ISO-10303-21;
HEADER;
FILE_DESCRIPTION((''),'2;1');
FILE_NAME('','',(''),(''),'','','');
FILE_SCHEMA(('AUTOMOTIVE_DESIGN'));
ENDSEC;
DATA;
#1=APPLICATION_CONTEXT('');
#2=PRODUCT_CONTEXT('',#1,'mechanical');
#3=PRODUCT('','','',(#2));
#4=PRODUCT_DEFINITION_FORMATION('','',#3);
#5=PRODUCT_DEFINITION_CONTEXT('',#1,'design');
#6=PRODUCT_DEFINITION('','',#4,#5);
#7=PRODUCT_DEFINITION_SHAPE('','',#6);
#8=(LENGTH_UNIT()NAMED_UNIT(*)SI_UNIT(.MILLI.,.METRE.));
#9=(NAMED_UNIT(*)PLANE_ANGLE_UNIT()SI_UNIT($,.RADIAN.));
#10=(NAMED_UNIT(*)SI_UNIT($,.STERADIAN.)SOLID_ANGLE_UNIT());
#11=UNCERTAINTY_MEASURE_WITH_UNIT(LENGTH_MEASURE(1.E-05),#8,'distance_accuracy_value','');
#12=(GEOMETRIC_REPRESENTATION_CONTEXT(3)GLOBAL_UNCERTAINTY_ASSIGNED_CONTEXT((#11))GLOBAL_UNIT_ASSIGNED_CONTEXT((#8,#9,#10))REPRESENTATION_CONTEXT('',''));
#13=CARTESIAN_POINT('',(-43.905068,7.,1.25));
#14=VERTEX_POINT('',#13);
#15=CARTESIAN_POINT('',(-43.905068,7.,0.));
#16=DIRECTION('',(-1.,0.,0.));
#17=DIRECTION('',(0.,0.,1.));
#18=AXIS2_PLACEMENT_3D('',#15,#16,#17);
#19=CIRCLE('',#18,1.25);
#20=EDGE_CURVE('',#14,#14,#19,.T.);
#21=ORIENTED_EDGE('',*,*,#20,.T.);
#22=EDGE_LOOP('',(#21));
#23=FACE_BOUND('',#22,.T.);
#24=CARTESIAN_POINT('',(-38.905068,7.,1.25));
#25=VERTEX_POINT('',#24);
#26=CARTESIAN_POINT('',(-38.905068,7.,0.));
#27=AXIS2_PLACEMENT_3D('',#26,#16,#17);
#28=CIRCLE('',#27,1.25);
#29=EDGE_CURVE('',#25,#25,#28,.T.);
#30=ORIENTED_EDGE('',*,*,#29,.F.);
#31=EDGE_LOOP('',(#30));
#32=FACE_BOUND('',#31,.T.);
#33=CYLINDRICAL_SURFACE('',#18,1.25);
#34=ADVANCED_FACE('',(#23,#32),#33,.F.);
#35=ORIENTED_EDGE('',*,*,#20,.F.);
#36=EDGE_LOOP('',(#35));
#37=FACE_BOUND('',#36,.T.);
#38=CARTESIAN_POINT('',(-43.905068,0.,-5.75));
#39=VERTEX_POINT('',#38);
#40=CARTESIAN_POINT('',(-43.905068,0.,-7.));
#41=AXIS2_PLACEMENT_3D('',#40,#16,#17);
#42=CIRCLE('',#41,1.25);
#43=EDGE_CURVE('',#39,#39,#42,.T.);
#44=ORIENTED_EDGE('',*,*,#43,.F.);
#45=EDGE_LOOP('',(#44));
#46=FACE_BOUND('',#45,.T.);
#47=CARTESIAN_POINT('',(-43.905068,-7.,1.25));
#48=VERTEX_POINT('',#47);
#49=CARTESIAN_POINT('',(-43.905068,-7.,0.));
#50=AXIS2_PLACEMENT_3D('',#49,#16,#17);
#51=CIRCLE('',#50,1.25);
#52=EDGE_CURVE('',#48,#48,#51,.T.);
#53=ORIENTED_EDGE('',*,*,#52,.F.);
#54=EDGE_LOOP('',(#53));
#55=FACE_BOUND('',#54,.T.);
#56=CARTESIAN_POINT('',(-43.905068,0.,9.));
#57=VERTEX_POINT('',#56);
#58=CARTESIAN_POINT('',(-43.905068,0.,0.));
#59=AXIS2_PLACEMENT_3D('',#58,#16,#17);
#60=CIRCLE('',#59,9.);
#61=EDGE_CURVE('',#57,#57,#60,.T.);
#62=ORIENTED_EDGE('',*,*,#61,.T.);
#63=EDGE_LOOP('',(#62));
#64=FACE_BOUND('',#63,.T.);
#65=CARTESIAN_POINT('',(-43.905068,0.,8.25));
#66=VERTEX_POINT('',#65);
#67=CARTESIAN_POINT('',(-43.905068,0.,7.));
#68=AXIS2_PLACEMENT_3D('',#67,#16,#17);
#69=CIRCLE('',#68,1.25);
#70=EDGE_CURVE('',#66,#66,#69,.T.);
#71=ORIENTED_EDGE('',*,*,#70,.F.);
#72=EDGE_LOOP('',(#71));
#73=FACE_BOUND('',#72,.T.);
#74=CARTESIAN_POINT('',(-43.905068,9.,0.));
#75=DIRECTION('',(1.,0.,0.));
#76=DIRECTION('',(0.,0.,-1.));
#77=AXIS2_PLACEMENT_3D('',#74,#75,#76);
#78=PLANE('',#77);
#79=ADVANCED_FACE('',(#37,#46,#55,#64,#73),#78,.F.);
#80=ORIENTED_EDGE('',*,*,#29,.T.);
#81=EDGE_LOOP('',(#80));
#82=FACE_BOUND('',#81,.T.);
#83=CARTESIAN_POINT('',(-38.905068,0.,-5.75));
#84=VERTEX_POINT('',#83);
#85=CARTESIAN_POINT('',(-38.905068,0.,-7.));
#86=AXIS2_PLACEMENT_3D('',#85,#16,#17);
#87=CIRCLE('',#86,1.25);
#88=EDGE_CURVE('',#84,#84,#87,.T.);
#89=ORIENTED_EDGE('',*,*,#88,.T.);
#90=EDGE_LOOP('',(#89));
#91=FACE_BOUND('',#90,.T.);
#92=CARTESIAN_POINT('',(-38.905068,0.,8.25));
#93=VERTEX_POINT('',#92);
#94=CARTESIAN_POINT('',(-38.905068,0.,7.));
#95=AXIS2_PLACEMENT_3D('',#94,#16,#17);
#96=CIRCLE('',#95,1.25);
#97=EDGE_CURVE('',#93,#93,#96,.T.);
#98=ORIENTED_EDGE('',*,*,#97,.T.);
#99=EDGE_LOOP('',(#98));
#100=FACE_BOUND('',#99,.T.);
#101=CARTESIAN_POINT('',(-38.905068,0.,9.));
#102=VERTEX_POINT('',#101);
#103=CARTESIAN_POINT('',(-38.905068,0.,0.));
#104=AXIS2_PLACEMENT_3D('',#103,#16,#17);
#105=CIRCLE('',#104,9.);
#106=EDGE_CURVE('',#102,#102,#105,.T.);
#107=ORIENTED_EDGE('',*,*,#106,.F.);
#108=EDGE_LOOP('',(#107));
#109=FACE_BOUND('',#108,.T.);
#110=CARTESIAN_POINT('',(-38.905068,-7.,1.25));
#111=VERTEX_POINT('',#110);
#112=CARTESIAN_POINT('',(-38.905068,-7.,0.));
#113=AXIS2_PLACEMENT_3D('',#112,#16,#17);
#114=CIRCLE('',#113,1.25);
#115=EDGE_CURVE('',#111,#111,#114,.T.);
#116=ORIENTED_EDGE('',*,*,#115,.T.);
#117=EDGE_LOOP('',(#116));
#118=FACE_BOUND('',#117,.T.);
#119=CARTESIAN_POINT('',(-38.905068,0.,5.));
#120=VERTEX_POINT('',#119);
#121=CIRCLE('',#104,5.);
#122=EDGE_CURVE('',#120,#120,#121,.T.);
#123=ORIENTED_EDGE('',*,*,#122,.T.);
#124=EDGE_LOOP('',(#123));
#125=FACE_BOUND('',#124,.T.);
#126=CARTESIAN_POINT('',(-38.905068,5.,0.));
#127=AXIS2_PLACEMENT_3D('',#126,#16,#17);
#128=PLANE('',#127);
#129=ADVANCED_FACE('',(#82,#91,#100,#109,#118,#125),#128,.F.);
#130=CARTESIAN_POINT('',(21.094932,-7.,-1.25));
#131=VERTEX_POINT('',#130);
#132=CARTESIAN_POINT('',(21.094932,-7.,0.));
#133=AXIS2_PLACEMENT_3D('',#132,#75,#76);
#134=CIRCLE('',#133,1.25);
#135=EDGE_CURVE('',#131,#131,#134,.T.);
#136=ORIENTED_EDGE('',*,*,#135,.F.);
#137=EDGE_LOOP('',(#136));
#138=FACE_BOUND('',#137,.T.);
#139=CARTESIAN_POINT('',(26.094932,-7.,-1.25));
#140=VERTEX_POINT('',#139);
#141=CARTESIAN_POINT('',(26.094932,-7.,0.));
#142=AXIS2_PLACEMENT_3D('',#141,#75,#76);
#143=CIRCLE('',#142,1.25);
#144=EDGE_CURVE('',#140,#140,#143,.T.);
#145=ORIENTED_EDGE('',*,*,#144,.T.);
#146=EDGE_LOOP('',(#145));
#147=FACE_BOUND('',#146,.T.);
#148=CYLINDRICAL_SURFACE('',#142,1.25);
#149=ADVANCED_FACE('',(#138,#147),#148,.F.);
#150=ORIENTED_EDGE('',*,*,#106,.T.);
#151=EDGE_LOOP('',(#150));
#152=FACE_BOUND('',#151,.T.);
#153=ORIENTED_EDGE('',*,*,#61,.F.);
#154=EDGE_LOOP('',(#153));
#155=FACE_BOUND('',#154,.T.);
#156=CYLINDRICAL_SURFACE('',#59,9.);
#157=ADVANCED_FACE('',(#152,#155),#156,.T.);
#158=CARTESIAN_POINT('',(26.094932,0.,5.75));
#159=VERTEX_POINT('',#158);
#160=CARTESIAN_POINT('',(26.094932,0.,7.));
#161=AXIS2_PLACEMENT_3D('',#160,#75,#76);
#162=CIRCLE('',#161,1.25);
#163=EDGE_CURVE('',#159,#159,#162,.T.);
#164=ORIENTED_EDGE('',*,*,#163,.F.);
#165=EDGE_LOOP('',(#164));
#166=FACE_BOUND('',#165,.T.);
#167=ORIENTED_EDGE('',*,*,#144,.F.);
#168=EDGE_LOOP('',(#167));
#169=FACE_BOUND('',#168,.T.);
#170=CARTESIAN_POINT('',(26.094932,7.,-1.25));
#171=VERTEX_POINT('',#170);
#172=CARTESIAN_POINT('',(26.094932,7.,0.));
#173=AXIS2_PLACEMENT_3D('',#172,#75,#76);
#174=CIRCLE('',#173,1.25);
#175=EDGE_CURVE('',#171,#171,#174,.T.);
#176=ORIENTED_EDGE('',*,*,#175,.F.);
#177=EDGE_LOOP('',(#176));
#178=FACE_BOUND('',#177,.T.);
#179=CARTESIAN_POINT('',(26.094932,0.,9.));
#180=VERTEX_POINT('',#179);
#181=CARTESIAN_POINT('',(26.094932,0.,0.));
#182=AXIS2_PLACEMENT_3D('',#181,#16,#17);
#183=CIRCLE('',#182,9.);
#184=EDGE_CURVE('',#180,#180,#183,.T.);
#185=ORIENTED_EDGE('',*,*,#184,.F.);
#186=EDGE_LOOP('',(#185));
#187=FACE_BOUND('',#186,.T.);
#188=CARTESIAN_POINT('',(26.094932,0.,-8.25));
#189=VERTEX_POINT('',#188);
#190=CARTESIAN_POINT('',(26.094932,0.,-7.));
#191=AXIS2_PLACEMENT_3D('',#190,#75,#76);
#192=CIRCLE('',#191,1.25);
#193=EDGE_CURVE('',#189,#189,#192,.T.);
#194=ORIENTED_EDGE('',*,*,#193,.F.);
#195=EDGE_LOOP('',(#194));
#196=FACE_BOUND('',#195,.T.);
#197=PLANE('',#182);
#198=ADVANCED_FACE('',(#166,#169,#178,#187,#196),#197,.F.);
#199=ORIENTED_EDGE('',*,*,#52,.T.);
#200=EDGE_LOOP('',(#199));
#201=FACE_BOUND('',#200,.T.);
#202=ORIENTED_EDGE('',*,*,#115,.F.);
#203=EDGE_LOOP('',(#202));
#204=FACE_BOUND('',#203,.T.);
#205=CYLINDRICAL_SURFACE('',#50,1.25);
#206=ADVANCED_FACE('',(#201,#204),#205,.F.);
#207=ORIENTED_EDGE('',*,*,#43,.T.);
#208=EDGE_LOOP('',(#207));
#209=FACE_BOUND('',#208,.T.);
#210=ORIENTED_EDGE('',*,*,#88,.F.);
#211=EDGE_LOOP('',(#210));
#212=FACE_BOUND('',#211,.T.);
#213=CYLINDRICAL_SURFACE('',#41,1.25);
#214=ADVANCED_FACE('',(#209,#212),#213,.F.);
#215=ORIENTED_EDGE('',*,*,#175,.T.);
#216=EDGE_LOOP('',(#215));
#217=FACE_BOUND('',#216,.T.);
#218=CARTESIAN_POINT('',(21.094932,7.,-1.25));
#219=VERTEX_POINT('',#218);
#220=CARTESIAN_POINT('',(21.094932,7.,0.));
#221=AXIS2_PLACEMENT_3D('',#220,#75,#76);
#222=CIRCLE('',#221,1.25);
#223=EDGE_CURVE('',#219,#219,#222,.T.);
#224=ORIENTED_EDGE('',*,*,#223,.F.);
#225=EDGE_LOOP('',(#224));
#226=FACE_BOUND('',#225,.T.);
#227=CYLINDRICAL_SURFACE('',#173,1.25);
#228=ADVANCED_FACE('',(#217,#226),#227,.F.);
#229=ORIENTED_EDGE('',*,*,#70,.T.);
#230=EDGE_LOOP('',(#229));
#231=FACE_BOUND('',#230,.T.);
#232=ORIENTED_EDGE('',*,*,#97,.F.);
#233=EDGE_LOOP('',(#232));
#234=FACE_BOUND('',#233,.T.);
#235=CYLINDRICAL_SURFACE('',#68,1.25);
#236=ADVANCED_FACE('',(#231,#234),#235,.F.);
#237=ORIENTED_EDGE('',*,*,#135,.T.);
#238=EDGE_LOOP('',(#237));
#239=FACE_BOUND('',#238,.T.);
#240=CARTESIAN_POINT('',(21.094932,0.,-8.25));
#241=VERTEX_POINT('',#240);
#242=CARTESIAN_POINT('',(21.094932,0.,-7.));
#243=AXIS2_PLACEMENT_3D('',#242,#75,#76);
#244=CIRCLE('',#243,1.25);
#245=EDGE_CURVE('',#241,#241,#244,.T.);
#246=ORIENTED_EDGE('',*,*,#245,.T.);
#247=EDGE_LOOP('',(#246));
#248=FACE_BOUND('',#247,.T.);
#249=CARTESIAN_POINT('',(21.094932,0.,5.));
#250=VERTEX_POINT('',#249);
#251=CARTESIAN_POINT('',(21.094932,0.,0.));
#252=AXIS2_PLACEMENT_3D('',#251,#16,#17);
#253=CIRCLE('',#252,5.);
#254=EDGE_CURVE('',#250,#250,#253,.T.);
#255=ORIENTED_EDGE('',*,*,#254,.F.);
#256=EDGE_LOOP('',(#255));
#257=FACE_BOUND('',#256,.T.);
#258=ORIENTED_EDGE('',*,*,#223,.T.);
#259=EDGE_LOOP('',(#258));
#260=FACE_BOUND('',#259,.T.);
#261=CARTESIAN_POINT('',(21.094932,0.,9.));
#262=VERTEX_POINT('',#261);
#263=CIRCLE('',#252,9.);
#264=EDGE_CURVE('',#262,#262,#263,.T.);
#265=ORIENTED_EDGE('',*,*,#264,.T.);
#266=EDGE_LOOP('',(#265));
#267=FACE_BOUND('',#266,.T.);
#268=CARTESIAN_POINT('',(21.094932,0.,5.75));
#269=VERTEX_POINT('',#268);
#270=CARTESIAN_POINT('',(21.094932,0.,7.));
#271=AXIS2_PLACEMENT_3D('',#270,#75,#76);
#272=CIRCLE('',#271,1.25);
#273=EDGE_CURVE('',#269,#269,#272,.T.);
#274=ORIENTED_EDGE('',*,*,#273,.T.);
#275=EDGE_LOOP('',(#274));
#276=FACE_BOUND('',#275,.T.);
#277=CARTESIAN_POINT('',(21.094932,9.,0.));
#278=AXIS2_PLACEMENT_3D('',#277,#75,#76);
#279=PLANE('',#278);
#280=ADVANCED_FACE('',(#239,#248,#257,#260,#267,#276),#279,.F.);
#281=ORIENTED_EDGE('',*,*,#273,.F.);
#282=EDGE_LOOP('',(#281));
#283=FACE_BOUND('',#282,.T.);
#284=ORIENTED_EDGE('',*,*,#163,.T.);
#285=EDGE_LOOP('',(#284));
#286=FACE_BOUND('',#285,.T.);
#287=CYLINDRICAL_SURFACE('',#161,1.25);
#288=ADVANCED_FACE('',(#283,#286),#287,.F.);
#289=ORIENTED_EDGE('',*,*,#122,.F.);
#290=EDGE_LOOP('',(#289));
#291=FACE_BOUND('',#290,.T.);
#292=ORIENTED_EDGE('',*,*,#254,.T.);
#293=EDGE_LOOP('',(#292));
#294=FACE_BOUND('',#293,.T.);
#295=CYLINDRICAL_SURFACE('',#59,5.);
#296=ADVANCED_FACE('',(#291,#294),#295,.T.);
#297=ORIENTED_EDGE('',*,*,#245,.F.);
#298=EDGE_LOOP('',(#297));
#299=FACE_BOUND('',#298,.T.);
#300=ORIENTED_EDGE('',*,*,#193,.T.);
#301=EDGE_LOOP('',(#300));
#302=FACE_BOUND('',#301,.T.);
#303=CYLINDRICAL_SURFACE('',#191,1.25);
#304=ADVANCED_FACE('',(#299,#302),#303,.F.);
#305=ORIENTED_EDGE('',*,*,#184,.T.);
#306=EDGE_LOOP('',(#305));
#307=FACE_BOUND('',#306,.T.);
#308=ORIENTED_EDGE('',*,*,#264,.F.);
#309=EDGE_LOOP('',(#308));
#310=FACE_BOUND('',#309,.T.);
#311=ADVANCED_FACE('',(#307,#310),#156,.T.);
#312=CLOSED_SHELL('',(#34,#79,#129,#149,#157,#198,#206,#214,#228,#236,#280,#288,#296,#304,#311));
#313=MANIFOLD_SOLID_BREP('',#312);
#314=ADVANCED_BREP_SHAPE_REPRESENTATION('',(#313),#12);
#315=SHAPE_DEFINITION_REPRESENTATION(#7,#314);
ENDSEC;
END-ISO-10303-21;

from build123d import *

# Parameters (mm, degrees)
HOLE_WIZARD_M3_1_D     = 2.5
HOLE_WIZARD_M3_1_DEPTH = 5
HOLE_WIZARD_M3_1_TIP   = 0.751075774
HOLE_WIZARD_M3_2_D     = 2.5
HOLE_WIZARD_M3_2_DEPTH = 5
HOLE_WIZARD_M3_2_TIP   = 0.751075774


with BuildPart() as part:
    # 草图1 → 旋转1 (revolve)
    with BuildSketch(Plane.XY, mode=Mode.PRIVATE) as revolve_1_sk:
        Polygon((-43.905067628, 0), (26.094932372, 0), (26.094932372, 9), (21.094932372, 9), (21.094932372, 5), (-38.905067628, 5), (-38.905067628, 9), (-43.905067628, 9), align=None)
    revolve(revolve_1_sk.sketch.rotate(Axis((-43.905067628, 0, 0), (1, 0, 0)), 90), axis=Axis((-43.905067628, 0, 0), (1, 0, 0)))

    # M3 螺纹孔1
    with Locations(Plane.ZY.offset(43.905067628)):
        with Locations((7, 0), (0, 7), (-7, 0), (0, -7)):
            Hole(HOLE_WIZARD_M3_1_D / 2, depth=HOLE_WIZARD_M3_1_DEPTH)
            with Locations((0, 0, -(HOLE_WIZARD_M3_1_DEPTH + HOLE_WIZARD_M3_1_TIP / 2))):  # 118° drill point
                Cone(0, HOLE_WIZARD_M3_1_D / 2, HOLE_WIZARD_M3_1_TIP, mode=Mode.SUBTRACT)

    # M3 螺纹孔2
    with Locations(Plane(origin=(26.094932372, 0, 0), x_dir=(0, 0, -1), z_dir=(1, 0, 0))):
        with Locations((0, -7), (7, 0), (0, 7), (-7, 0)):
            Hole(HOLE_WIZARD_M3_2_D / 2, depth=HOLE_WIZARD_M3_2_DEPTH)
            with Locations((0, 0, -(HOLE_WIZARD_M3_2_DEPTH + HOLE_WIZARD_M3_2_TIP / 2))):  # 118° drill point
                Cone(0, HOLE_WIZARD_M3_2_D / 2, HOLE_WIZARD_M3_2_TIP, mode=Mode.SUBTRACT)


solid = part.part
